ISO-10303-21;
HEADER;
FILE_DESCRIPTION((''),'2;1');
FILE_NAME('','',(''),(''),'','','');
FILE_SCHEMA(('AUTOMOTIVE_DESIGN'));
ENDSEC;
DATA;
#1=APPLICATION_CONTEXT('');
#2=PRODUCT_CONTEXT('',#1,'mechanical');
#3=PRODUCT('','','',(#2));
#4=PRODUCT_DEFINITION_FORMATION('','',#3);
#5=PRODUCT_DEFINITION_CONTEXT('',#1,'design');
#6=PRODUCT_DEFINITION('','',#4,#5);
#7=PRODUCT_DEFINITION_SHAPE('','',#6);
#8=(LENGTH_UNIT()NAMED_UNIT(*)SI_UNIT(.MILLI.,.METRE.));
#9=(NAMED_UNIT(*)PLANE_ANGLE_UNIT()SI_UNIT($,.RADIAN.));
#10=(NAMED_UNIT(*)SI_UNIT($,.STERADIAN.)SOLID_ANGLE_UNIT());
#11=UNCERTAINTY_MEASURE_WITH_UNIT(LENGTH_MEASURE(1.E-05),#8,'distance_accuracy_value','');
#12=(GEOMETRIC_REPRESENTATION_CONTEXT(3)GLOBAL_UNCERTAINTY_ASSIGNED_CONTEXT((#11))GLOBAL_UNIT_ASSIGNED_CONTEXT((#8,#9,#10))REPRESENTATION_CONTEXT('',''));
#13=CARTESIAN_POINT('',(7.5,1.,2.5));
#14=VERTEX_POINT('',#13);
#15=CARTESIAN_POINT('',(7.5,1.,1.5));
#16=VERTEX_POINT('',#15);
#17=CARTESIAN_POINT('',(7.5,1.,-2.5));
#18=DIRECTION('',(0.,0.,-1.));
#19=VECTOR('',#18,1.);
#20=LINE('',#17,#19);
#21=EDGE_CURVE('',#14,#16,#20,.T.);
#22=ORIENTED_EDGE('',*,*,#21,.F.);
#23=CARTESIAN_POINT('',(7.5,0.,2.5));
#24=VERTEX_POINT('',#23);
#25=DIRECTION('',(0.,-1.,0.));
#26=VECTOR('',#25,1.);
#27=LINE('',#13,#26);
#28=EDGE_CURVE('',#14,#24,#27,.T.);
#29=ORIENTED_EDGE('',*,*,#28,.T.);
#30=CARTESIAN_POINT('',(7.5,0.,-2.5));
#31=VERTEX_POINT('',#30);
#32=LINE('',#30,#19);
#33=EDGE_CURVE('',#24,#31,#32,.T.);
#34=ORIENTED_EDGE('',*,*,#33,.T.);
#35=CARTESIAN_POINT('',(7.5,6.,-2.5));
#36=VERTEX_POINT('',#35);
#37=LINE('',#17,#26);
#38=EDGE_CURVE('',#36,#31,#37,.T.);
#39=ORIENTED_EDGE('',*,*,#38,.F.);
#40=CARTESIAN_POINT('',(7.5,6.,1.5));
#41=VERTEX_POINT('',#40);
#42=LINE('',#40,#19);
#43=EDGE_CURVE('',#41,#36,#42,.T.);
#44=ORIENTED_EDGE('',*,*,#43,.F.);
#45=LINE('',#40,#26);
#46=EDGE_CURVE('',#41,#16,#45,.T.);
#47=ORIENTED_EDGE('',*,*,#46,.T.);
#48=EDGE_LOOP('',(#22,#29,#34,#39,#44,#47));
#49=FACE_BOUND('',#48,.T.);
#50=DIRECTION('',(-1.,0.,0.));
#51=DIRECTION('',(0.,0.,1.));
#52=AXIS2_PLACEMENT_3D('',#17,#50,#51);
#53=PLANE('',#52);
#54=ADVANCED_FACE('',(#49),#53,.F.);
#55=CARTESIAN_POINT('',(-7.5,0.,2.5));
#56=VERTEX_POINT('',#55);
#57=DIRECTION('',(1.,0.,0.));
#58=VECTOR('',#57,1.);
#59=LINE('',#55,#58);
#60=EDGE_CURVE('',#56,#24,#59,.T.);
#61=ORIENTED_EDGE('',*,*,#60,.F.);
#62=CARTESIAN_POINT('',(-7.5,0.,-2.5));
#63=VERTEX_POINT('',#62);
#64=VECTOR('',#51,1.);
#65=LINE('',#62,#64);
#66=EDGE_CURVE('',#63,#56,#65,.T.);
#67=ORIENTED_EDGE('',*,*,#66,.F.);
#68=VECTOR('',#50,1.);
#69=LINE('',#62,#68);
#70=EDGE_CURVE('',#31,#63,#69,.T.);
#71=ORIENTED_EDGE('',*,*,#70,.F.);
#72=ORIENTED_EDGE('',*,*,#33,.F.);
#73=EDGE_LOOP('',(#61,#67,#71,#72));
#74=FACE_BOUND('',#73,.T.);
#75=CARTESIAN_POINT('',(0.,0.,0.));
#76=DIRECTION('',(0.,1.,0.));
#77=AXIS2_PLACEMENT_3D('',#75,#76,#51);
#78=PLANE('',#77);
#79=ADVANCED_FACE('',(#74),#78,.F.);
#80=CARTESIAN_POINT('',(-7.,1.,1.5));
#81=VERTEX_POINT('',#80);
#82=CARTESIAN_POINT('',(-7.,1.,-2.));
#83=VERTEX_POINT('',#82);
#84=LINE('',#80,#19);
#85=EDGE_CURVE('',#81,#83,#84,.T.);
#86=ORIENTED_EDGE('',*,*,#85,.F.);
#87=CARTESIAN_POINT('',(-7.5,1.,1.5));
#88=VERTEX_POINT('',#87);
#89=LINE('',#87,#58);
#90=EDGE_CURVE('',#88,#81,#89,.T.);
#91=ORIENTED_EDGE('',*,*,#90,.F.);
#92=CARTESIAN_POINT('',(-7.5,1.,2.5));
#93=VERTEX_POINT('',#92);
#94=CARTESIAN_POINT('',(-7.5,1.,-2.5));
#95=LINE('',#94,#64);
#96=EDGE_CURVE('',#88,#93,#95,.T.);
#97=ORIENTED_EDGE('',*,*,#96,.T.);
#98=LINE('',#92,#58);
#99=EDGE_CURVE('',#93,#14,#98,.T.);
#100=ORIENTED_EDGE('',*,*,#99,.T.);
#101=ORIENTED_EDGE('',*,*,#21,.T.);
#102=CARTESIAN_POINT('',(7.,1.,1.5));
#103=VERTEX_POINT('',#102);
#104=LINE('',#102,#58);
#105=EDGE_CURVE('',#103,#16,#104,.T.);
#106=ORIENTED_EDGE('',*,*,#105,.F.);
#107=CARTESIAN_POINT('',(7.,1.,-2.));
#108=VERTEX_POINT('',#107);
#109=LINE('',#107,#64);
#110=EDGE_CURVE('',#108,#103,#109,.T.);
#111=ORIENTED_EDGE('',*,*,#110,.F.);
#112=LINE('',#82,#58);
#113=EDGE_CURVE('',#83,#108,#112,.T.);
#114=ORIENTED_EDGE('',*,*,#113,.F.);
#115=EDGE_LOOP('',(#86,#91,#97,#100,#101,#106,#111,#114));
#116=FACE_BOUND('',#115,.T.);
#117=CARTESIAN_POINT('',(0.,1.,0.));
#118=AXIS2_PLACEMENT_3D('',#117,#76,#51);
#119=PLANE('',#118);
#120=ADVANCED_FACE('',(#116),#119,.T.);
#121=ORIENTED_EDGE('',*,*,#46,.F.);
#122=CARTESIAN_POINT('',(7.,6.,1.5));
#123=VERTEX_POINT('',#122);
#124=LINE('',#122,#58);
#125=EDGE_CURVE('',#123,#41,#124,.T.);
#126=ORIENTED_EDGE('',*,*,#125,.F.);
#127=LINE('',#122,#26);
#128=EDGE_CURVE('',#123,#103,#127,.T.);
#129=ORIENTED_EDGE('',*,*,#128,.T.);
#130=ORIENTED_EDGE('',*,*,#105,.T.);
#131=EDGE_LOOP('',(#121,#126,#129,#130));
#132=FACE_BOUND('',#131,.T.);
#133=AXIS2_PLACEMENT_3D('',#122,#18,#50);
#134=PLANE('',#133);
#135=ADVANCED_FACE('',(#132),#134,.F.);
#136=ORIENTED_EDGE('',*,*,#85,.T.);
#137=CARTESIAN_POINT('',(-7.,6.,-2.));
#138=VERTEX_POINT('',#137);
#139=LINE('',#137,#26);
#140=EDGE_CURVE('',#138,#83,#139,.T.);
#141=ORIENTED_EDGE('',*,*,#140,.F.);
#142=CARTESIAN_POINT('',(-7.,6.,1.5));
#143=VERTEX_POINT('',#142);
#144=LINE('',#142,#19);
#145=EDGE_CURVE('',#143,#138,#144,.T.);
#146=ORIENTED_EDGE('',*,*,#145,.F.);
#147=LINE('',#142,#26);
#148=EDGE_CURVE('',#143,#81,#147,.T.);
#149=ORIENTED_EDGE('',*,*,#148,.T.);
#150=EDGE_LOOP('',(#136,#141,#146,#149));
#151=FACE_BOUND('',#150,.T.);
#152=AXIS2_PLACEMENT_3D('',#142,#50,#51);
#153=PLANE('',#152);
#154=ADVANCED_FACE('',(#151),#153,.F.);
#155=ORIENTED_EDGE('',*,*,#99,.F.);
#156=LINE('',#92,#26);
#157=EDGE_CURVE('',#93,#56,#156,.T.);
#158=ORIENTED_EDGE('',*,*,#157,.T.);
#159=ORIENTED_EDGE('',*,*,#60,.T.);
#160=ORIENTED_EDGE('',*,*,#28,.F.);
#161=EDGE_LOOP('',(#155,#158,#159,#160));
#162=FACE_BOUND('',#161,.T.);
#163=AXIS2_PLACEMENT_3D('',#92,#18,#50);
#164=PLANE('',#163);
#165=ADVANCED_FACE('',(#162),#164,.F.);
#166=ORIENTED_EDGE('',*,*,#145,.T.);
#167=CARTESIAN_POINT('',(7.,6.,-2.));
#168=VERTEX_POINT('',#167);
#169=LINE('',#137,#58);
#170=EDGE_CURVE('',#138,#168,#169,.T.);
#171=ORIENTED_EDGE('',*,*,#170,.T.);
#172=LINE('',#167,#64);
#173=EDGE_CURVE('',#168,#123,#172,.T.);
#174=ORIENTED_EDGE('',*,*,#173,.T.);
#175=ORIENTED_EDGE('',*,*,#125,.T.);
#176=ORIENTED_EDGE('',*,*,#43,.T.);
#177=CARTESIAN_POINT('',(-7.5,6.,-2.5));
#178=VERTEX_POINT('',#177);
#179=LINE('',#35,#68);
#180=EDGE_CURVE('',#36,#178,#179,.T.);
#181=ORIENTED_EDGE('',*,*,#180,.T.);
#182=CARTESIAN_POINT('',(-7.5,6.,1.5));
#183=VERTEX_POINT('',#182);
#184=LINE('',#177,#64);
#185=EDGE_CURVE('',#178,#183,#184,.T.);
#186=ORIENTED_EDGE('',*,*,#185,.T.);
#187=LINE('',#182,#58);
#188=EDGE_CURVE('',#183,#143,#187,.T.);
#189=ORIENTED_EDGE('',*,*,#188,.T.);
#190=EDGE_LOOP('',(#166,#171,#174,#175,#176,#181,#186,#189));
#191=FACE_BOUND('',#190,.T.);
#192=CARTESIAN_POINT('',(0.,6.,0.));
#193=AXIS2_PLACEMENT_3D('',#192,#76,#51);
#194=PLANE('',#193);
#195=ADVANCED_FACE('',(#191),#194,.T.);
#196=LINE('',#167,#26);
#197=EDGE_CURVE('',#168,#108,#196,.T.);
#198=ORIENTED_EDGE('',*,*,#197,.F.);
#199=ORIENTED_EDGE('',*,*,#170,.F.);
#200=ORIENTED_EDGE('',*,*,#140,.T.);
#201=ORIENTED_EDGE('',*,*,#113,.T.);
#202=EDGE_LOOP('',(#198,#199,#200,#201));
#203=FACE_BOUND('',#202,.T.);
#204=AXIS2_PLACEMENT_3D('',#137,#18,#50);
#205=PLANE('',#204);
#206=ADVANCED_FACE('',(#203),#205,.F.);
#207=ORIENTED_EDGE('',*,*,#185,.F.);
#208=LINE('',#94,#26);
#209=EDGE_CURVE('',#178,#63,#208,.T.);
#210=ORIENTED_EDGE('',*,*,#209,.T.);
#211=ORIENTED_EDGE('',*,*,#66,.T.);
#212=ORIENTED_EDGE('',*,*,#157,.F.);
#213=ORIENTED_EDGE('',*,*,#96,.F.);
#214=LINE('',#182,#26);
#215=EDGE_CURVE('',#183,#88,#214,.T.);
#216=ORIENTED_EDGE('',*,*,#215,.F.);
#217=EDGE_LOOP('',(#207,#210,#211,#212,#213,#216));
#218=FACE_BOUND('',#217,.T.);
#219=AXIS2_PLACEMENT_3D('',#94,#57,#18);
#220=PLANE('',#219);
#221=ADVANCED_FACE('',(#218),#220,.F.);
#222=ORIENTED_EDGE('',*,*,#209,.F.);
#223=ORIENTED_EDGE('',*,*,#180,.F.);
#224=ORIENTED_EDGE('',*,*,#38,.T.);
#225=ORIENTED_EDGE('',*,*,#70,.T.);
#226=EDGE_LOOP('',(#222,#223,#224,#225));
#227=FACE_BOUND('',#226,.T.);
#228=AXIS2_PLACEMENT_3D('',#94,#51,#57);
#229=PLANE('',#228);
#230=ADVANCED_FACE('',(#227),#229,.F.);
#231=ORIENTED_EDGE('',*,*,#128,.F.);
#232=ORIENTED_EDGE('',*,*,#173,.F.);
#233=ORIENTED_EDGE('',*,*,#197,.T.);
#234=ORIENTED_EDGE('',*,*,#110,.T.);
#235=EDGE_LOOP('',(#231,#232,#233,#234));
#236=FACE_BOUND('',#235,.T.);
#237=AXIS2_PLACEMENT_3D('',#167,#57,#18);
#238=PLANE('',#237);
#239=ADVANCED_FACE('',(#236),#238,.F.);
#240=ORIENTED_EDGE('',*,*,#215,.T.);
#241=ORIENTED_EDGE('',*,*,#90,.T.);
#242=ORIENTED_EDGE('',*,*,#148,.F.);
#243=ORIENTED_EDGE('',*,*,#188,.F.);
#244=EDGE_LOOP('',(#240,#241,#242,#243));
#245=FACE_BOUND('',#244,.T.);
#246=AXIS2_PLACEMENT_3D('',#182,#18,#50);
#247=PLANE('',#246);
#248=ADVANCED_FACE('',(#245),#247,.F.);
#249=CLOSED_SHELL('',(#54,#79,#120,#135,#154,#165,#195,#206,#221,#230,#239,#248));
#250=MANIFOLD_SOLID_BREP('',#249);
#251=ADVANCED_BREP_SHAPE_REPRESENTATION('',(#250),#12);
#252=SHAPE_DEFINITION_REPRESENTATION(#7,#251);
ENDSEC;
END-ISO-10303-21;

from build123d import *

# Parameters (mm, degrees)
SKETCH_1_W      = 15
SKETCH_1_H      = 5
EXTRUDE_1_DEPTH = 1
EXTRUDE_2_DEPTH = 5


with BuildPart() as part:
    # 草图1 → 凸台-拉伸1 (new body)
    with BuildSketch(Plane(origin=(0, 0, 0), x_dir=(1, 0, 0), z_dir=(0, 1, 0))):
        Rectangle(SKETCH_1_W, SKETCH_1_H)
    extrude(amount=EXTRUDE_1_DEPTH)

    # 草图3 → 凸台-拉伸2 (add)
    with BuildSketch(Plane(origin=(0, 1, 0), x_dir=(1, 0, 0), z_dir=(0, 1, 0))):
        Polygon((-7.5, -1.5), (-7, -1.5), (-7, 2), (7, 2), (7, -1.5), (7.5, -1.5), (7.5, 2.5), (-7.5, 2.5), align=None)
    extrude(amount=EXTRUDE_2_DEPTH)


solid = part.part
